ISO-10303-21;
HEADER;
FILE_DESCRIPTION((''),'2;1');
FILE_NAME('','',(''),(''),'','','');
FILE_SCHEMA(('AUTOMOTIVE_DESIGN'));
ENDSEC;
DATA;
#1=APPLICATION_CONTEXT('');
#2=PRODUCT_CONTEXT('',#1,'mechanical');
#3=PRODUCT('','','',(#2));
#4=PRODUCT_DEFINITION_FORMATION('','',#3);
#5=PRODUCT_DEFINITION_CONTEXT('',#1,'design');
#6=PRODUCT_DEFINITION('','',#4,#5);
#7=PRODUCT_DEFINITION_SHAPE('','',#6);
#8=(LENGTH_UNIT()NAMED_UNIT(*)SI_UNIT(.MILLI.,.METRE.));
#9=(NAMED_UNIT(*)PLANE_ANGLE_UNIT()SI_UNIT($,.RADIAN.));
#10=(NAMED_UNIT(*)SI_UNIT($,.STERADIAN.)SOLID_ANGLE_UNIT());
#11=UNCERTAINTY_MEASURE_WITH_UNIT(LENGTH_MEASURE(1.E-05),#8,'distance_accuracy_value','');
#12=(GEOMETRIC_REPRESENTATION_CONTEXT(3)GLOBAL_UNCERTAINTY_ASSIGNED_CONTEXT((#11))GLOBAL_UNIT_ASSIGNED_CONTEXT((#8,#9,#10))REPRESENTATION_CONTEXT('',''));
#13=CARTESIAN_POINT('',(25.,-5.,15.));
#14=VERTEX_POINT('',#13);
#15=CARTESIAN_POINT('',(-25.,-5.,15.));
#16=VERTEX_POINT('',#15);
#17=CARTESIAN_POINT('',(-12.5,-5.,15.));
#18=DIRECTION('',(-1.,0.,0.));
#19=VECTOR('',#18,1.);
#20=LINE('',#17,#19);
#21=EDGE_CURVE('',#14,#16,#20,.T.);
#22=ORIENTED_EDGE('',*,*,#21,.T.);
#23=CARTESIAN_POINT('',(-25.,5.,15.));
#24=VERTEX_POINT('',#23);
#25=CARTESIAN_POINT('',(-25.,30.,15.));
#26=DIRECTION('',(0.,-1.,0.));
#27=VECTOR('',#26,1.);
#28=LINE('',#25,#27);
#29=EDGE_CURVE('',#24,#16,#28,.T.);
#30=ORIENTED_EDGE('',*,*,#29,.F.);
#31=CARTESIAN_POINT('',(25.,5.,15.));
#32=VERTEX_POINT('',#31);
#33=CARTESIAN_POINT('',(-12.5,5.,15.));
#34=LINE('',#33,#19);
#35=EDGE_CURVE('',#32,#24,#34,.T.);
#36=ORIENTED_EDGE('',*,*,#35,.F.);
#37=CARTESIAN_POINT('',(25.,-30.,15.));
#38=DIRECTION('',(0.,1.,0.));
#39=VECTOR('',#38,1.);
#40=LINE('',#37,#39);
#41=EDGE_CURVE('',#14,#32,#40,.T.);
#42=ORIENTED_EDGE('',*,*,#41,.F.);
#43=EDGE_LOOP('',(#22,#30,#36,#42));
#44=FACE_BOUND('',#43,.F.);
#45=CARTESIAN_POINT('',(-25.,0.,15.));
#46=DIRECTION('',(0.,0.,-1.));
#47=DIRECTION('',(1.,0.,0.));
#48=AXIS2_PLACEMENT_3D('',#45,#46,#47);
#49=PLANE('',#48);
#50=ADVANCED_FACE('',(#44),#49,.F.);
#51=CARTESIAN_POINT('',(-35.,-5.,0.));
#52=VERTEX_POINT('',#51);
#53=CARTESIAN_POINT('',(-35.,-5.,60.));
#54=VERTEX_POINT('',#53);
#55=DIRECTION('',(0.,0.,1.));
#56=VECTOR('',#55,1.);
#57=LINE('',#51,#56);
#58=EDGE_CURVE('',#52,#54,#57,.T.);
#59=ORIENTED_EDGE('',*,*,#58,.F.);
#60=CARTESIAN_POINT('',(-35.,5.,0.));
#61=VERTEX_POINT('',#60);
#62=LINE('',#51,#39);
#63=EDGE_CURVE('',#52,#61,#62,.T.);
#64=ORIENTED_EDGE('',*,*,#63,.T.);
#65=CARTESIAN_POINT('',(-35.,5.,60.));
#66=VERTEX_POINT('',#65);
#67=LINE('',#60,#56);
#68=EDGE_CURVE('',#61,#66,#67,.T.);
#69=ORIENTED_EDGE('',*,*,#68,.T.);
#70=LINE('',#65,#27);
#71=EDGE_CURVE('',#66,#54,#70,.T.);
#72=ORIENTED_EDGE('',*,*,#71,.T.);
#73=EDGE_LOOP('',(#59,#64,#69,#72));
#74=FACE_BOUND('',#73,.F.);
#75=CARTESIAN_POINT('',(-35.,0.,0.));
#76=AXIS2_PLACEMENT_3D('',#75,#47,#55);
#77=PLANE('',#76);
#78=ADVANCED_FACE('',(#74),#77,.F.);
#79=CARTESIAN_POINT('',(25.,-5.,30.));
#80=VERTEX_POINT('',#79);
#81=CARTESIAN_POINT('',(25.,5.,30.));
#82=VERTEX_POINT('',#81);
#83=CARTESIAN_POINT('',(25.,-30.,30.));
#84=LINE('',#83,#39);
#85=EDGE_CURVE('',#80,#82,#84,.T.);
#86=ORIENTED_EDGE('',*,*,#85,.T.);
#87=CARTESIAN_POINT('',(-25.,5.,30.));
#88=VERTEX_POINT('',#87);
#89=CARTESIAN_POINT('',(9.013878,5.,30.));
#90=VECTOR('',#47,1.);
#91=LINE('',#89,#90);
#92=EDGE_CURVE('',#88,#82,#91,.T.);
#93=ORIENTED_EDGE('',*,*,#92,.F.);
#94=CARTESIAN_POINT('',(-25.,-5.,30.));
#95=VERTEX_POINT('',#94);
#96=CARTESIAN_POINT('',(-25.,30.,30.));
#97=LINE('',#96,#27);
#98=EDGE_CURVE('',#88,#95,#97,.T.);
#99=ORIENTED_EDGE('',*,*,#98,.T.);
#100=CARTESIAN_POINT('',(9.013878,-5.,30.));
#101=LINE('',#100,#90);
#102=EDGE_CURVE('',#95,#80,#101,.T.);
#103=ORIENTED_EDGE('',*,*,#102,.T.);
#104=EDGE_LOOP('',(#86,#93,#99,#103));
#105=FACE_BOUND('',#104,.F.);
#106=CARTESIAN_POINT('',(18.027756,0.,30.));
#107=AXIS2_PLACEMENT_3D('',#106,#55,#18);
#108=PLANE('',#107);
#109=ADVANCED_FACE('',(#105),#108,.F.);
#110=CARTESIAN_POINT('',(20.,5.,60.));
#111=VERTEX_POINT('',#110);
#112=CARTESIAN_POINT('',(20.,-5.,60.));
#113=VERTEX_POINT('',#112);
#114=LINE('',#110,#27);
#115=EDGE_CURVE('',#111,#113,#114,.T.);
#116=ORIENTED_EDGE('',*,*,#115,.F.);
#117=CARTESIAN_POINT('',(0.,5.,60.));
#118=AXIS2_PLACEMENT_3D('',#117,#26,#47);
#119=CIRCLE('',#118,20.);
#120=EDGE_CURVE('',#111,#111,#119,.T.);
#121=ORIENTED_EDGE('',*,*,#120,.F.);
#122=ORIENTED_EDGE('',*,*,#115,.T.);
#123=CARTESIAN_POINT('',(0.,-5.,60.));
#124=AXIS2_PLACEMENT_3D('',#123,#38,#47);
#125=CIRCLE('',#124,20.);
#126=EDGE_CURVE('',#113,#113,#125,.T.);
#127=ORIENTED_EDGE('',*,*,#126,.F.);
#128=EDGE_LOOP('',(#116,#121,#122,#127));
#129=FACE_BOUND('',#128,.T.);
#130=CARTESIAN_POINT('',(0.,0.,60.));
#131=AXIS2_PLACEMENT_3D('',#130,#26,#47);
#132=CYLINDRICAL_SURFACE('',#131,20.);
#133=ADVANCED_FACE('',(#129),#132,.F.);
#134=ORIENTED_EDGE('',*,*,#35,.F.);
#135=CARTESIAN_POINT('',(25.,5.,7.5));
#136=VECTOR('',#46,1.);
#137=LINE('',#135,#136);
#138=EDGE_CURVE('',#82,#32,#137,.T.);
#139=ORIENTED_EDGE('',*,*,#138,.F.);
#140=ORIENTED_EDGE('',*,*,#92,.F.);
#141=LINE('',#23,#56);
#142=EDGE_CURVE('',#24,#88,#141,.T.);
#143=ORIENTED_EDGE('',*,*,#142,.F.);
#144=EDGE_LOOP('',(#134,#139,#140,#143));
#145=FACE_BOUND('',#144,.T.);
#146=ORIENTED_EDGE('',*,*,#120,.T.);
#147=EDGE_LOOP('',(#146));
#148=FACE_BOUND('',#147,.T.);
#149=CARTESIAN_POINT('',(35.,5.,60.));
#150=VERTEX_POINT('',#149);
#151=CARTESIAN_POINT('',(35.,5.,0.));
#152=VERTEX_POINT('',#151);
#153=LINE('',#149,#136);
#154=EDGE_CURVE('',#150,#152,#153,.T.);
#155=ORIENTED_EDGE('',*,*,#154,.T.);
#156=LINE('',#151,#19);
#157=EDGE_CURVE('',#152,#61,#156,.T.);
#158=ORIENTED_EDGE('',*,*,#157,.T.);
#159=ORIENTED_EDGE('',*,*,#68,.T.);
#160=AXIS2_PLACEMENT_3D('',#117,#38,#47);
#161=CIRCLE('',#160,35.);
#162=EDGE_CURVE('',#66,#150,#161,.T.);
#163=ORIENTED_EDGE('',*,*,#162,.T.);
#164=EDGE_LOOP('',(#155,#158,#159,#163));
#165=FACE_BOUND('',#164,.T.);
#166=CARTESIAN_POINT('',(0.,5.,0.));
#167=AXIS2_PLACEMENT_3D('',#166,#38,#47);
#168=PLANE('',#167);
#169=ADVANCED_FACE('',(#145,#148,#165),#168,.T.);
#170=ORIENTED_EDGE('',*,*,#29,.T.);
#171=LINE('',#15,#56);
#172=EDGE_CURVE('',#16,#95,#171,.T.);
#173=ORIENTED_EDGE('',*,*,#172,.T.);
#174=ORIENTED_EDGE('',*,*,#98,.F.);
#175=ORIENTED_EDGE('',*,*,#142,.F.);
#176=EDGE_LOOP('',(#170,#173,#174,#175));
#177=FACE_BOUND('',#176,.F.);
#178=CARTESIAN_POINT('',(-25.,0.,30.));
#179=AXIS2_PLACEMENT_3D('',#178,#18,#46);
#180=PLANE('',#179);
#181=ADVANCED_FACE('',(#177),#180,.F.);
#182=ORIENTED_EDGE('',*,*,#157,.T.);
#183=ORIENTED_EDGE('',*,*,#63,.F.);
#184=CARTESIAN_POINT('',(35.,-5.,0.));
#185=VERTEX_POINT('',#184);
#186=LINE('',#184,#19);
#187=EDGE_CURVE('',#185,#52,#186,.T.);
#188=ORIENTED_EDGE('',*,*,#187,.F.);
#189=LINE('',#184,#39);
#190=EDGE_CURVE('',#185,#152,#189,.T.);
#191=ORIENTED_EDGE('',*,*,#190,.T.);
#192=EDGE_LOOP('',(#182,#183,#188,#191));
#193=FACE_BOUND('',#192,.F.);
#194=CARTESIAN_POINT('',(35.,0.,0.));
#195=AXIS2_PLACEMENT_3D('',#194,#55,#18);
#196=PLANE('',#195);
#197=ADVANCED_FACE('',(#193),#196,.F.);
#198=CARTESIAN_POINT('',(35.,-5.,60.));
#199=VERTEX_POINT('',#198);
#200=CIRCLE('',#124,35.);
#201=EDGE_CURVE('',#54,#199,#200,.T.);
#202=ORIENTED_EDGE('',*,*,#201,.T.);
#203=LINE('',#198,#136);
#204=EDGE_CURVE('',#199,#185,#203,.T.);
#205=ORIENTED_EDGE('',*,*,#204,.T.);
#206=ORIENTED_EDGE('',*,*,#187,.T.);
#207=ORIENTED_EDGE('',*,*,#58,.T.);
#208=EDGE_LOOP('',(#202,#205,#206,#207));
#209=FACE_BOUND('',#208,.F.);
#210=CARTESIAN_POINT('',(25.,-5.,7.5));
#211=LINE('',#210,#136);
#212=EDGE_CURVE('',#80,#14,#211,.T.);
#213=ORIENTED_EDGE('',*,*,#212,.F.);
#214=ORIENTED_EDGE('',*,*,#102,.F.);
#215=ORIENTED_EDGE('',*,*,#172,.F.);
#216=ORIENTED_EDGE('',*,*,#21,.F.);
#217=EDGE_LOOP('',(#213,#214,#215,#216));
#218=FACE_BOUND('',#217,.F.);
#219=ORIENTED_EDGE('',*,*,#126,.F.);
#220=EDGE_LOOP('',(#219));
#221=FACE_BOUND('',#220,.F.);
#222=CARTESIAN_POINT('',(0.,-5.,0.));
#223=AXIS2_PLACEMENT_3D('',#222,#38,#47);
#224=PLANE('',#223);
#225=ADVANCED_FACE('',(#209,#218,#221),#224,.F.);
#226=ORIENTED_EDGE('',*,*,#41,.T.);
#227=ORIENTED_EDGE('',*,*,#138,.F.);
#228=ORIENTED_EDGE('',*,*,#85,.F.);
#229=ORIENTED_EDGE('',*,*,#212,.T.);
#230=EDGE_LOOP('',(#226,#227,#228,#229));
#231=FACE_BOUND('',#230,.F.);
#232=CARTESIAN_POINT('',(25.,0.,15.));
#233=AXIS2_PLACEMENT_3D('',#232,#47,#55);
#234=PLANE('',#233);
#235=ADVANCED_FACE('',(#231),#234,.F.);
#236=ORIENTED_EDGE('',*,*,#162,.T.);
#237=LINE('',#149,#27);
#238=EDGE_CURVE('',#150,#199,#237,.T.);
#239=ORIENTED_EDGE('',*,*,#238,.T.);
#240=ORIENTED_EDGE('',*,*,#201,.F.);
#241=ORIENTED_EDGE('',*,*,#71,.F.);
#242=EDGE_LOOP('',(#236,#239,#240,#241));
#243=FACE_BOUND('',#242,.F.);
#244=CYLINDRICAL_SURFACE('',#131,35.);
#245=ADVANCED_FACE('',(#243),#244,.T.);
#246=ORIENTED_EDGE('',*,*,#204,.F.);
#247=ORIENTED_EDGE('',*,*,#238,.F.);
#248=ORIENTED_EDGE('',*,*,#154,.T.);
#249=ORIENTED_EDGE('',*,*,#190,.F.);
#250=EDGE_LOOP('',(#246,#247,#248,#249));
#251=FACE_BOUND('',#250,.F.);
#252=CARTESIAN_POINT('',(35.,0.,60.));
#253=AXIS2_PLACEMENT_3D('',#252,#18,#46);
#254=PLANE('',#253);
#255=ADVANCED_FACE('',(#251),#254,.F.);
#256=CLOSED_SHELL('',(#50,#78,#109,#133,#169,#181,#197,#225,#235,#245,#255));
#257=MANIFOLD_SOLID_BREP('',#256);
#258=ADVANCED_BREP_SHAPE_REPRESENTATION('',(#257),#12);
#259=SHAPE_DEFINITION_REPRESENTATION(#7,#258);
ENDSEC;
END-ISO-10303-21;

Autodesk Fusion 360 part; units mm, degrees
sketch "Sketch1" plane through (0, 0, 0) normal (0, 1, 0) x (1, 0, 0)
  line L0 (35, 0) -> (-35, 0)
  line L1 (-35, 0) -> (-35, -60)
  line L2 (-35, -60) -> (35, -60)
  line L3 (35, -60) -> (35, 0)
  line L4 (35, 0) -> (-35, -60) construction
  line L5 (-35, 0) -> (35, -60) construction
  line L6 (-35, -60) -> (35, -60) construction
  circle A0 centre (0, -60) radius 35
  circle A1 centre (0, -60) radius 20
  line L7 (0, 0) -> (0, -15) construction
  line L8 (-35, -15) -> (-25, -15) construction
  line L9 (-25, -15) -> (25, -15)
  line L10 (25, -15) -> (25, -30)
  line L11 (25, -30) -> (-25, -30)
  line L12 (-25, -30) -> (-25, -15)
  point P0 (0, -30)
  dimension "d1" = 70
  dimension "d2" = 70
  dimension "d3" = 40
  dimension "d4" = 15
  dimension "d5" = 10
  dimension "d6" = 50
  dimension "d7" = 15
extrude "Extrude1" add sketch "Sketch1" along normal mid plane 10 contours L0 L1 L3 A0 L9 L10 L11 L12 | L2 A0 A1 | L2 A0 A1 L11 | A0 L11 | A0 L9 L10 L11 L12
extrude "Extrude2" cut sketch "Sketch1" along normal mid plane 60 contours A0 L11 | A0 L9 L10 L11 L12
